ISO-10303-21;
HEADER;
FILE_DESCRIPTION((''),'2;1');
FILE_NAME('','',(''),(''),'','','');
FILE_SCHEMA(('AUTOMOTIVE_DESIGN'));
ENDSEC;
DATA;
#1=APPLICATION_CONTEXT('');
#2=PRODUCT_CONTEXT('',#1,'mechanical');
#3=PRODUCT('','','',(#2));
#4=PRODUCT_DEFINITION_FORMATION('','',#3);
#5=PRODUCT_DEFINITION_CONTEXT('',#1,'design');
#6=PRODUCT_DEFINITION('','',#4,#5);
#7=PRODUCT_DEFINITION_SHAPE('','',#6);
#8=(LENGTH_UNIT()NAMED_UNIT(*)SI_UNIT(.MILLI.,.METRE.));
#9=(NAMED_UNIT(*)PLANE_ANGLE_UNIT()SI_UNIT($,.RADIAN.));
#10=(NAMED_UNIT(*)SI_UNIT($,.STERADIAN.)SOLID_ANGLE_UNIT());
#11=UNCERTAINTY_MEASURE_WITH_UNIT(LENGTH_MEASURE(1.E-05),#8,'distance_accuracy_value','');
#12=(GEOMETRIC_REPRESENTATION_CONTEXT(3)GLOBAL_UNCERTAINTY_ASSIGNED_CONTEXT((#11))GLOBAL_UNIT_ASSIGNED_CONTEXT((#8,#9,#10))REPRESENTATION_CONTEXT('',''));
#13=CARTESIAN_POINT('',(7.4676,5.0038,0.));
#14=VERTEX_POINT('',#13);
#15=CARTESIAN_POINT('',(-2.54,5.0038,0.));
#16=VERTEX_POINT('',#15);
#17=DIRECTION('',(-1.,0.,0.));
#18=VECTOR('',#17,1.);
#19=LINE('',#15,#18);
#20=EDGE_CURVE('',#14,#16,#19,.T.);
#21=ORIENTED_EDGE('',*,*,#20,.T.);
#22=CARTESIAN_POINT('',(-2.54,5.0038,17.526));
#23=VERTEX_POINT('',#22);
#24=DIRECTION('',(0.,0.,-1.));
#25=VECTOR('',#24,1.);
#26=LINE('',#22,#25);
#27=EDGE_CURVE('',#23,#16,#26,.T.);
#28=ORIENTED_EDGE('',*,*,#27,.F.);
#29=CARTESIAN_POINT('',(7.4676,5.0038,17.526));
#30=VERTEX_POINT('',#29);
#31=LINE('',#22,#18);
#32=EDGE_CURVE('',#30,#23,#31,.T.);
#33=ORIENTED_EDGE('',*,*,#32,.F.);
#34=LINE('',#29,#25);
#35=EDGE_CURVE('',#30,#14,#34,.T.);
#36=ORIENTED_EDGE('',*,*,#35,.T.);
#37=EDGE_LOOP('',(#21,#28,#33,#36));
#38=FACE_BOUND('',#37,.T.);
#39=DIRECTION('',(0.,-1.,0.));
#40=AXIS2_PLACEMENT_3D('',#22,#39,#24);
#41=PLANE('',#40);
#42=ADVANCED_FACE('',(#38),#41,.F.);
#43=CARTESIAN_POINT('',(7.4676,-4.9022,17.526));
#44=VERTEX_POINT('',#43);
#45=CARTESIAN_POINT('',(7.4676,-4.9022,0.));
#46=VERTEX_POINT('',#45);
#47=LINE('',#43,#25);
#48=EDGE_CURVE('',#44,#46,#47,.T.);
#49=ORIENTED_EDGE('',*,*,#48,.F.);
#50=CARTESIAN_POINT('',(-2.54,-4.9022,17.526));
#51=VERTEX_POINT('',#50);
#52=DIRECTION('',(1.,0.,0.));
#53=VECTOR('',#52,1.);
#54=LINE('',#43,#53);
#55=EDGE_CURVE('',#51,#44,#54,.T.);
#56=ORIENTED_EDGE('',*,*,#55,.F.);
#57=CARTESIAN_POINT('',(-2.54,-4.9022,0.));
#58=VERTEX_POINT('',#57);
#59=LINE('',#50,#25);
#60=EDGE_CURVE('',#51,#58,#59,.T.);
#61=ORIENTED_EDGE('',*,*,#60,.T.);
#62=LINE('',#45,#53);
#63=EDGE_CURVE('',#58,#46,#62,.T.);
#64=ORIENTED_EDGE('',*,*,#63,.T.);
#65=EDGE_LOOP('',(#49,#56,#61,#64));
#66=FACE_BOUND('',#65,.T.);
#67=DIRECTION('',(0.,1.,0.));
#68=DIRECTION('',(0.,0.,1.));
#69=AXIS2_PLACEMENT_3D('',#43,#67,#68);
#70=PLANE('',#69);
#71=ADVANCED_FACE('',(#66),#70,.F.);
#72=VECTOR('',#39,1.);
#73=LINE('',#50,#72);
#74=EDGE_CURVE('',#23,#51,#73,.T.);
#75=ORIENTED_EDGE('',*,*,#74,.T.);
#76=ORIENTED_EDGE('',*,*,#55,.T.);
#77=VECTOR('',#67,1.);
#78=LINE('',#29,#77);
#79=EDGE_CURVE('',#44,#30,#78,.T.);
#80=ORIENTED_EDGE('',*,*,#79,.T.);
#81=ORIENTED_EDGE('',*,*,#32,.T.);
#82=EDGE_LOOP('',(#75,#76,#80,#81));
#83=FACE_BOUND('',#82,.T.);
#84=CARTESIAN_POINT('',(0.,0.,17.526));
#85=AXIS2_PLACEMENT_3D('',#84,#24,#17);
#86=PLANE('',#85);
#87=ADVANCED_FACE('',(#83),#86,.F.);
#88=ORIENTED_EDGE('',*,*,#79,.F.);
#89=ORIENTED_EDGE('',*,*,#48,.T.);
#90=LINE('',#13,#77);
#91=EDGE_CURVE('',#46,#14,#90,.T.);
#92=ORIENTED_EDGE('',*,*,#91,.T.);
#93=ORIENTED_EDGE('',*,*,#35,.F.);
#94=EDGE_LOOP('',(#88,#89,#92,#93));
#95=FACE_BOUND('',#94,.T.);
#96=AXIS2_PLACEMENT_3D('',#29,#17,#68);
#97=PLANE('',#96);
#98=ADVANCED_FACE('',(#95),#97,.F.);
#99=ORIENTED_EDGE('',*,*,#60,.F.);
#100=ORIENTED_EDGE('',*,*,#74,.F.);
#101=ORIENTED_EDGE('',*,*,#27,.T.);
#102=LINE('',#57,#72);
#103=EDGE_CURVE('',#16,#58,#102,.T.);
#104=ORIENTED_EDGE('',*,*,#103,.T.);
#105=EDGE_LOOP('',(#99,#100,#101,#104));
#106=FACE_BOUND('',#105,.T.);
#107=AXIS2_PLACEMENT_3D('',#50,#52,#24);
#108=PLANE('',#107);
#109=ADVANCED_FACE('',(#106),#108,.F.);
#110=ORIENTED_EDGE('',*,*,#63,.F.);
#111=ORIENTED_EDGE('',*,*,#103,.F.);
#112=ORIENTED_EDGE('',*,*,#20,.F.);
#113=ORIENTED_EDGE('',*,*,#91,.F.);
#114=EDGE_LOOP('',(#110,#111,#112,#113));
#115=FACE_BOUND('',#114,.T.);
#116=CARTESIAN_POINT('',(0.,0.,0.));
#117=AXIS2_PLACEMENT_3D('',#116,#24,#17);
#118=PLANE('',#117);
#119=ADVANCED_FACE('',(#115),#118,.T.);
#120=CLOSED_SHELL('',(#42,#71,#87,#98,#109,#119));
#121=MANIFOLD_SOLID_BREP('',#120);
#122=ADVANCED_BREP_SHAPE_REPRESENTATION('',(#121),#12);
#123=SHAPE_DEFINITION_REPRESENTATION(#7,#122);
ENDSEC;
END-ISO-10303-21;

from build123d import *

# Parameters (mm, degrees)
SKETCH1_W               = 10.0076
SKETCH1_H               = 9.906
COMPONENT_OUTLINE_DEPTH = 17.526


with BuildPart() as part:
    # Sketch1 → Component_Outline (new body)
    with BuildSketch(Plane.XY):
        with Locations((2.4638, 0.0508)):
            Rectangle(SKETCH1_W, SKETCH1_H)
    extrude(amount=COMPONENT_OUTLINE_DEPTH)


solid = part.part
